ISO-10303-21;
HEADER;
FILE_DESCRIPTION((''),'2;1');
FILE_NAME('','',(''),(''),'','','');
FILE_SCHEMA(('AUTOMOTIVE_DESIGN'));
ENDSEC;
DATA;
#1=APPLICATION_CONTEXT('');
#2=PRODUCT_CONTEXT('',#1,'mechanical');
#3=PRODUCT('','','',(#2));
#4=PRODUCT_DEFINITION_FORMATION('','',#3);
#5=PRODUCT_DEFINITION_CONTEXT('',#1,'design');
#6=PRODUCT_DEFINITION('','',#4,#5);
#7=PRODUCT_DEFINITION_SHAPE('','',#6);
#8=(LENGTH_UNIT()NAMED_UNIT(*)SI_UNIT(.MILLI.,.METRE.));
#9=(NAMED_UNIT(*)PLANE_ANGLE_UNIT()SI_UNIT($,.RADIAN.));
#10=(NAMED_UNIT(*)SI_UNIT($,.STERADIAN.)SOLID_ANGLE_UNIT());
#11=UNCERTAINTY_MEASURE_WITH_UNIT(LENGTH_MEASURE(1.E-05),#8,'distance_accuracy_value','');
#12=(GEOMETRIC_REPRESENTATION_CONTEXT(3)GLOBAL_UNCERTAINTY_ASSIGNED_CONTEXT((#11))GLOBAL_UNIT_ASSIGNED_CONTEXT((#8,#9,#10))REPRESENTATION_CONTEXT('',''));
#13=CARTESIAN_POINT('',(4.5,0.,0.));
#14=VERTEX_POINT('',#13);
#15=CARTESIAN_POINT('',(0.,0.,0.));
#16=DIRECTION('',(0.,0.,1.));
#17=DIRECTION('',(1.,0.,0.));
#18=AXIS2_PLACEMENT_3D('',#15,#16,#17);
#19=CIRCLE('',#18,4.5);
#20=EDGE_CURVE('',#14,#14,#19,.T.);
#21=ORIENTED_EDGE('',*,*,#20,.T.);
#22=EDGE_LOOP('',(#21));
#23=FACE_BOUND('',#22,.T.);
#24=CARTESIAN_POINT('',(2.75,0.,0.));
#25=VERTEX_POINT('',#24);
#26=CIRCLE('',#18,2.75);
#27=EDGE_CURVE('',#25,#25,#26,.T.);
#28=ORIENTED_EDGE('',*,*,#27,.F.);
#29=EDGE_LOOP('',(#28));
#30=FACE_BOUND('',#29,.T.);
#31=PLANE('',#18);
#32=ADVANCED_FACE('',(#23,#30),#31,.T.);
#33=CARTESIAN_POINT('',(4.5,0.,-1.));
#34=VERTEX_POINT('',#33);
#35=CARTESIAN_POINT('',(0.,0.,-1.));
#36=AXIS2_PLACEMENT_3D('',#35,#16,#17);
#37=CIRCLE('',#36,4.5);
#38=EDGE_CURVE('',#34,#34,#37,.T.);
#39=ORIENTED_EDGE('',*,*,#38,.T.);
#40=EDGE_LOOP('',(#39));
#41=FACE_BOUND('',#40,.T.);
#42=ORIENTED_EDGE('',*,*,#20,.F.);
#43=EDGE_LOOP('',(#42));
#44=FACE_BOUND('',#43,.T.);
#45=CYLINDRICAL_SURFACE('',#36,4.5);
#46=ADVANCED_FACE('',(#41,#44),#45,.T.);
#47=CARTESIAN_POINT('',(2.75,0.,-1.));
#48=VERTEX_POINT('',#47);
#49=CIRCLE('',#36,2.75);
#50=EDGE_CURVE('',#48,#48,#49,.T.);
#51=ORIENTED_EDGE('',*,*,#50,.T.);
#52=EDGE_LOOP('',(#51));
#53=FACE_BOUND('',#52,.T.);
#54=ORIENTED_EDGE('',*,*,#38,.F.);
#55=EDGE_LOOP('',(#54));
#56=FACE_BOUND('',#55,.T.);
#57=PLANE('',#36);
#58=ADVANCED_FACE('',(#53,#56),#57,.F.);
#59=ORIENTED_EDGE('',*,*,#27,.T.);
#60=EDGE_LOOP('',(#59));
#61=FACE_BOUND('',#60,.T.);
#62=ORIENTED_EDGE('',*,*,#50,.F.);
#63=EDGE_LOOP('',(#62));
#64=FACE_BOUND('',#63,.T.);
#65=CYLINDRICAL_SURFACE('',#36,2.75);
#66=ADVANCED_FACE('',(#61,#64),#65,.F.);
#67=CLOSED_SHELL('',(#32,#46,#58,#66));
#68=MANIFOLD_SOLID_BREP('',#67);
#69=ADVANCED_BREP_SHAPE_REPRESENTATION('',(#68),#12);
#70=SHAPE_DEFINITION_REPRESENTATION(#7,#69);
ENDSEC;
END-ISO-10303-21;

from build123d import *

# Parameters (mm, degrees)
CROQUIS1_R              = 4.5
CROQUIS1_R_2            = 2.75
SALIENTE_EXTRUIR1_DEPTH = 1


with BuildPart() as part:
    # Croquis1 → Saliente-Extruir1 (new body)
    with BuildSketch(Plane.XY):
        Circle(CROQUIS1_R)
        Circle(CROQUIS1_R_2, mode=Mode.SUBTRACT)
    extrude(amount=-SALIENTE_EXTRUIR1_DEPTH)


solid = part.part
